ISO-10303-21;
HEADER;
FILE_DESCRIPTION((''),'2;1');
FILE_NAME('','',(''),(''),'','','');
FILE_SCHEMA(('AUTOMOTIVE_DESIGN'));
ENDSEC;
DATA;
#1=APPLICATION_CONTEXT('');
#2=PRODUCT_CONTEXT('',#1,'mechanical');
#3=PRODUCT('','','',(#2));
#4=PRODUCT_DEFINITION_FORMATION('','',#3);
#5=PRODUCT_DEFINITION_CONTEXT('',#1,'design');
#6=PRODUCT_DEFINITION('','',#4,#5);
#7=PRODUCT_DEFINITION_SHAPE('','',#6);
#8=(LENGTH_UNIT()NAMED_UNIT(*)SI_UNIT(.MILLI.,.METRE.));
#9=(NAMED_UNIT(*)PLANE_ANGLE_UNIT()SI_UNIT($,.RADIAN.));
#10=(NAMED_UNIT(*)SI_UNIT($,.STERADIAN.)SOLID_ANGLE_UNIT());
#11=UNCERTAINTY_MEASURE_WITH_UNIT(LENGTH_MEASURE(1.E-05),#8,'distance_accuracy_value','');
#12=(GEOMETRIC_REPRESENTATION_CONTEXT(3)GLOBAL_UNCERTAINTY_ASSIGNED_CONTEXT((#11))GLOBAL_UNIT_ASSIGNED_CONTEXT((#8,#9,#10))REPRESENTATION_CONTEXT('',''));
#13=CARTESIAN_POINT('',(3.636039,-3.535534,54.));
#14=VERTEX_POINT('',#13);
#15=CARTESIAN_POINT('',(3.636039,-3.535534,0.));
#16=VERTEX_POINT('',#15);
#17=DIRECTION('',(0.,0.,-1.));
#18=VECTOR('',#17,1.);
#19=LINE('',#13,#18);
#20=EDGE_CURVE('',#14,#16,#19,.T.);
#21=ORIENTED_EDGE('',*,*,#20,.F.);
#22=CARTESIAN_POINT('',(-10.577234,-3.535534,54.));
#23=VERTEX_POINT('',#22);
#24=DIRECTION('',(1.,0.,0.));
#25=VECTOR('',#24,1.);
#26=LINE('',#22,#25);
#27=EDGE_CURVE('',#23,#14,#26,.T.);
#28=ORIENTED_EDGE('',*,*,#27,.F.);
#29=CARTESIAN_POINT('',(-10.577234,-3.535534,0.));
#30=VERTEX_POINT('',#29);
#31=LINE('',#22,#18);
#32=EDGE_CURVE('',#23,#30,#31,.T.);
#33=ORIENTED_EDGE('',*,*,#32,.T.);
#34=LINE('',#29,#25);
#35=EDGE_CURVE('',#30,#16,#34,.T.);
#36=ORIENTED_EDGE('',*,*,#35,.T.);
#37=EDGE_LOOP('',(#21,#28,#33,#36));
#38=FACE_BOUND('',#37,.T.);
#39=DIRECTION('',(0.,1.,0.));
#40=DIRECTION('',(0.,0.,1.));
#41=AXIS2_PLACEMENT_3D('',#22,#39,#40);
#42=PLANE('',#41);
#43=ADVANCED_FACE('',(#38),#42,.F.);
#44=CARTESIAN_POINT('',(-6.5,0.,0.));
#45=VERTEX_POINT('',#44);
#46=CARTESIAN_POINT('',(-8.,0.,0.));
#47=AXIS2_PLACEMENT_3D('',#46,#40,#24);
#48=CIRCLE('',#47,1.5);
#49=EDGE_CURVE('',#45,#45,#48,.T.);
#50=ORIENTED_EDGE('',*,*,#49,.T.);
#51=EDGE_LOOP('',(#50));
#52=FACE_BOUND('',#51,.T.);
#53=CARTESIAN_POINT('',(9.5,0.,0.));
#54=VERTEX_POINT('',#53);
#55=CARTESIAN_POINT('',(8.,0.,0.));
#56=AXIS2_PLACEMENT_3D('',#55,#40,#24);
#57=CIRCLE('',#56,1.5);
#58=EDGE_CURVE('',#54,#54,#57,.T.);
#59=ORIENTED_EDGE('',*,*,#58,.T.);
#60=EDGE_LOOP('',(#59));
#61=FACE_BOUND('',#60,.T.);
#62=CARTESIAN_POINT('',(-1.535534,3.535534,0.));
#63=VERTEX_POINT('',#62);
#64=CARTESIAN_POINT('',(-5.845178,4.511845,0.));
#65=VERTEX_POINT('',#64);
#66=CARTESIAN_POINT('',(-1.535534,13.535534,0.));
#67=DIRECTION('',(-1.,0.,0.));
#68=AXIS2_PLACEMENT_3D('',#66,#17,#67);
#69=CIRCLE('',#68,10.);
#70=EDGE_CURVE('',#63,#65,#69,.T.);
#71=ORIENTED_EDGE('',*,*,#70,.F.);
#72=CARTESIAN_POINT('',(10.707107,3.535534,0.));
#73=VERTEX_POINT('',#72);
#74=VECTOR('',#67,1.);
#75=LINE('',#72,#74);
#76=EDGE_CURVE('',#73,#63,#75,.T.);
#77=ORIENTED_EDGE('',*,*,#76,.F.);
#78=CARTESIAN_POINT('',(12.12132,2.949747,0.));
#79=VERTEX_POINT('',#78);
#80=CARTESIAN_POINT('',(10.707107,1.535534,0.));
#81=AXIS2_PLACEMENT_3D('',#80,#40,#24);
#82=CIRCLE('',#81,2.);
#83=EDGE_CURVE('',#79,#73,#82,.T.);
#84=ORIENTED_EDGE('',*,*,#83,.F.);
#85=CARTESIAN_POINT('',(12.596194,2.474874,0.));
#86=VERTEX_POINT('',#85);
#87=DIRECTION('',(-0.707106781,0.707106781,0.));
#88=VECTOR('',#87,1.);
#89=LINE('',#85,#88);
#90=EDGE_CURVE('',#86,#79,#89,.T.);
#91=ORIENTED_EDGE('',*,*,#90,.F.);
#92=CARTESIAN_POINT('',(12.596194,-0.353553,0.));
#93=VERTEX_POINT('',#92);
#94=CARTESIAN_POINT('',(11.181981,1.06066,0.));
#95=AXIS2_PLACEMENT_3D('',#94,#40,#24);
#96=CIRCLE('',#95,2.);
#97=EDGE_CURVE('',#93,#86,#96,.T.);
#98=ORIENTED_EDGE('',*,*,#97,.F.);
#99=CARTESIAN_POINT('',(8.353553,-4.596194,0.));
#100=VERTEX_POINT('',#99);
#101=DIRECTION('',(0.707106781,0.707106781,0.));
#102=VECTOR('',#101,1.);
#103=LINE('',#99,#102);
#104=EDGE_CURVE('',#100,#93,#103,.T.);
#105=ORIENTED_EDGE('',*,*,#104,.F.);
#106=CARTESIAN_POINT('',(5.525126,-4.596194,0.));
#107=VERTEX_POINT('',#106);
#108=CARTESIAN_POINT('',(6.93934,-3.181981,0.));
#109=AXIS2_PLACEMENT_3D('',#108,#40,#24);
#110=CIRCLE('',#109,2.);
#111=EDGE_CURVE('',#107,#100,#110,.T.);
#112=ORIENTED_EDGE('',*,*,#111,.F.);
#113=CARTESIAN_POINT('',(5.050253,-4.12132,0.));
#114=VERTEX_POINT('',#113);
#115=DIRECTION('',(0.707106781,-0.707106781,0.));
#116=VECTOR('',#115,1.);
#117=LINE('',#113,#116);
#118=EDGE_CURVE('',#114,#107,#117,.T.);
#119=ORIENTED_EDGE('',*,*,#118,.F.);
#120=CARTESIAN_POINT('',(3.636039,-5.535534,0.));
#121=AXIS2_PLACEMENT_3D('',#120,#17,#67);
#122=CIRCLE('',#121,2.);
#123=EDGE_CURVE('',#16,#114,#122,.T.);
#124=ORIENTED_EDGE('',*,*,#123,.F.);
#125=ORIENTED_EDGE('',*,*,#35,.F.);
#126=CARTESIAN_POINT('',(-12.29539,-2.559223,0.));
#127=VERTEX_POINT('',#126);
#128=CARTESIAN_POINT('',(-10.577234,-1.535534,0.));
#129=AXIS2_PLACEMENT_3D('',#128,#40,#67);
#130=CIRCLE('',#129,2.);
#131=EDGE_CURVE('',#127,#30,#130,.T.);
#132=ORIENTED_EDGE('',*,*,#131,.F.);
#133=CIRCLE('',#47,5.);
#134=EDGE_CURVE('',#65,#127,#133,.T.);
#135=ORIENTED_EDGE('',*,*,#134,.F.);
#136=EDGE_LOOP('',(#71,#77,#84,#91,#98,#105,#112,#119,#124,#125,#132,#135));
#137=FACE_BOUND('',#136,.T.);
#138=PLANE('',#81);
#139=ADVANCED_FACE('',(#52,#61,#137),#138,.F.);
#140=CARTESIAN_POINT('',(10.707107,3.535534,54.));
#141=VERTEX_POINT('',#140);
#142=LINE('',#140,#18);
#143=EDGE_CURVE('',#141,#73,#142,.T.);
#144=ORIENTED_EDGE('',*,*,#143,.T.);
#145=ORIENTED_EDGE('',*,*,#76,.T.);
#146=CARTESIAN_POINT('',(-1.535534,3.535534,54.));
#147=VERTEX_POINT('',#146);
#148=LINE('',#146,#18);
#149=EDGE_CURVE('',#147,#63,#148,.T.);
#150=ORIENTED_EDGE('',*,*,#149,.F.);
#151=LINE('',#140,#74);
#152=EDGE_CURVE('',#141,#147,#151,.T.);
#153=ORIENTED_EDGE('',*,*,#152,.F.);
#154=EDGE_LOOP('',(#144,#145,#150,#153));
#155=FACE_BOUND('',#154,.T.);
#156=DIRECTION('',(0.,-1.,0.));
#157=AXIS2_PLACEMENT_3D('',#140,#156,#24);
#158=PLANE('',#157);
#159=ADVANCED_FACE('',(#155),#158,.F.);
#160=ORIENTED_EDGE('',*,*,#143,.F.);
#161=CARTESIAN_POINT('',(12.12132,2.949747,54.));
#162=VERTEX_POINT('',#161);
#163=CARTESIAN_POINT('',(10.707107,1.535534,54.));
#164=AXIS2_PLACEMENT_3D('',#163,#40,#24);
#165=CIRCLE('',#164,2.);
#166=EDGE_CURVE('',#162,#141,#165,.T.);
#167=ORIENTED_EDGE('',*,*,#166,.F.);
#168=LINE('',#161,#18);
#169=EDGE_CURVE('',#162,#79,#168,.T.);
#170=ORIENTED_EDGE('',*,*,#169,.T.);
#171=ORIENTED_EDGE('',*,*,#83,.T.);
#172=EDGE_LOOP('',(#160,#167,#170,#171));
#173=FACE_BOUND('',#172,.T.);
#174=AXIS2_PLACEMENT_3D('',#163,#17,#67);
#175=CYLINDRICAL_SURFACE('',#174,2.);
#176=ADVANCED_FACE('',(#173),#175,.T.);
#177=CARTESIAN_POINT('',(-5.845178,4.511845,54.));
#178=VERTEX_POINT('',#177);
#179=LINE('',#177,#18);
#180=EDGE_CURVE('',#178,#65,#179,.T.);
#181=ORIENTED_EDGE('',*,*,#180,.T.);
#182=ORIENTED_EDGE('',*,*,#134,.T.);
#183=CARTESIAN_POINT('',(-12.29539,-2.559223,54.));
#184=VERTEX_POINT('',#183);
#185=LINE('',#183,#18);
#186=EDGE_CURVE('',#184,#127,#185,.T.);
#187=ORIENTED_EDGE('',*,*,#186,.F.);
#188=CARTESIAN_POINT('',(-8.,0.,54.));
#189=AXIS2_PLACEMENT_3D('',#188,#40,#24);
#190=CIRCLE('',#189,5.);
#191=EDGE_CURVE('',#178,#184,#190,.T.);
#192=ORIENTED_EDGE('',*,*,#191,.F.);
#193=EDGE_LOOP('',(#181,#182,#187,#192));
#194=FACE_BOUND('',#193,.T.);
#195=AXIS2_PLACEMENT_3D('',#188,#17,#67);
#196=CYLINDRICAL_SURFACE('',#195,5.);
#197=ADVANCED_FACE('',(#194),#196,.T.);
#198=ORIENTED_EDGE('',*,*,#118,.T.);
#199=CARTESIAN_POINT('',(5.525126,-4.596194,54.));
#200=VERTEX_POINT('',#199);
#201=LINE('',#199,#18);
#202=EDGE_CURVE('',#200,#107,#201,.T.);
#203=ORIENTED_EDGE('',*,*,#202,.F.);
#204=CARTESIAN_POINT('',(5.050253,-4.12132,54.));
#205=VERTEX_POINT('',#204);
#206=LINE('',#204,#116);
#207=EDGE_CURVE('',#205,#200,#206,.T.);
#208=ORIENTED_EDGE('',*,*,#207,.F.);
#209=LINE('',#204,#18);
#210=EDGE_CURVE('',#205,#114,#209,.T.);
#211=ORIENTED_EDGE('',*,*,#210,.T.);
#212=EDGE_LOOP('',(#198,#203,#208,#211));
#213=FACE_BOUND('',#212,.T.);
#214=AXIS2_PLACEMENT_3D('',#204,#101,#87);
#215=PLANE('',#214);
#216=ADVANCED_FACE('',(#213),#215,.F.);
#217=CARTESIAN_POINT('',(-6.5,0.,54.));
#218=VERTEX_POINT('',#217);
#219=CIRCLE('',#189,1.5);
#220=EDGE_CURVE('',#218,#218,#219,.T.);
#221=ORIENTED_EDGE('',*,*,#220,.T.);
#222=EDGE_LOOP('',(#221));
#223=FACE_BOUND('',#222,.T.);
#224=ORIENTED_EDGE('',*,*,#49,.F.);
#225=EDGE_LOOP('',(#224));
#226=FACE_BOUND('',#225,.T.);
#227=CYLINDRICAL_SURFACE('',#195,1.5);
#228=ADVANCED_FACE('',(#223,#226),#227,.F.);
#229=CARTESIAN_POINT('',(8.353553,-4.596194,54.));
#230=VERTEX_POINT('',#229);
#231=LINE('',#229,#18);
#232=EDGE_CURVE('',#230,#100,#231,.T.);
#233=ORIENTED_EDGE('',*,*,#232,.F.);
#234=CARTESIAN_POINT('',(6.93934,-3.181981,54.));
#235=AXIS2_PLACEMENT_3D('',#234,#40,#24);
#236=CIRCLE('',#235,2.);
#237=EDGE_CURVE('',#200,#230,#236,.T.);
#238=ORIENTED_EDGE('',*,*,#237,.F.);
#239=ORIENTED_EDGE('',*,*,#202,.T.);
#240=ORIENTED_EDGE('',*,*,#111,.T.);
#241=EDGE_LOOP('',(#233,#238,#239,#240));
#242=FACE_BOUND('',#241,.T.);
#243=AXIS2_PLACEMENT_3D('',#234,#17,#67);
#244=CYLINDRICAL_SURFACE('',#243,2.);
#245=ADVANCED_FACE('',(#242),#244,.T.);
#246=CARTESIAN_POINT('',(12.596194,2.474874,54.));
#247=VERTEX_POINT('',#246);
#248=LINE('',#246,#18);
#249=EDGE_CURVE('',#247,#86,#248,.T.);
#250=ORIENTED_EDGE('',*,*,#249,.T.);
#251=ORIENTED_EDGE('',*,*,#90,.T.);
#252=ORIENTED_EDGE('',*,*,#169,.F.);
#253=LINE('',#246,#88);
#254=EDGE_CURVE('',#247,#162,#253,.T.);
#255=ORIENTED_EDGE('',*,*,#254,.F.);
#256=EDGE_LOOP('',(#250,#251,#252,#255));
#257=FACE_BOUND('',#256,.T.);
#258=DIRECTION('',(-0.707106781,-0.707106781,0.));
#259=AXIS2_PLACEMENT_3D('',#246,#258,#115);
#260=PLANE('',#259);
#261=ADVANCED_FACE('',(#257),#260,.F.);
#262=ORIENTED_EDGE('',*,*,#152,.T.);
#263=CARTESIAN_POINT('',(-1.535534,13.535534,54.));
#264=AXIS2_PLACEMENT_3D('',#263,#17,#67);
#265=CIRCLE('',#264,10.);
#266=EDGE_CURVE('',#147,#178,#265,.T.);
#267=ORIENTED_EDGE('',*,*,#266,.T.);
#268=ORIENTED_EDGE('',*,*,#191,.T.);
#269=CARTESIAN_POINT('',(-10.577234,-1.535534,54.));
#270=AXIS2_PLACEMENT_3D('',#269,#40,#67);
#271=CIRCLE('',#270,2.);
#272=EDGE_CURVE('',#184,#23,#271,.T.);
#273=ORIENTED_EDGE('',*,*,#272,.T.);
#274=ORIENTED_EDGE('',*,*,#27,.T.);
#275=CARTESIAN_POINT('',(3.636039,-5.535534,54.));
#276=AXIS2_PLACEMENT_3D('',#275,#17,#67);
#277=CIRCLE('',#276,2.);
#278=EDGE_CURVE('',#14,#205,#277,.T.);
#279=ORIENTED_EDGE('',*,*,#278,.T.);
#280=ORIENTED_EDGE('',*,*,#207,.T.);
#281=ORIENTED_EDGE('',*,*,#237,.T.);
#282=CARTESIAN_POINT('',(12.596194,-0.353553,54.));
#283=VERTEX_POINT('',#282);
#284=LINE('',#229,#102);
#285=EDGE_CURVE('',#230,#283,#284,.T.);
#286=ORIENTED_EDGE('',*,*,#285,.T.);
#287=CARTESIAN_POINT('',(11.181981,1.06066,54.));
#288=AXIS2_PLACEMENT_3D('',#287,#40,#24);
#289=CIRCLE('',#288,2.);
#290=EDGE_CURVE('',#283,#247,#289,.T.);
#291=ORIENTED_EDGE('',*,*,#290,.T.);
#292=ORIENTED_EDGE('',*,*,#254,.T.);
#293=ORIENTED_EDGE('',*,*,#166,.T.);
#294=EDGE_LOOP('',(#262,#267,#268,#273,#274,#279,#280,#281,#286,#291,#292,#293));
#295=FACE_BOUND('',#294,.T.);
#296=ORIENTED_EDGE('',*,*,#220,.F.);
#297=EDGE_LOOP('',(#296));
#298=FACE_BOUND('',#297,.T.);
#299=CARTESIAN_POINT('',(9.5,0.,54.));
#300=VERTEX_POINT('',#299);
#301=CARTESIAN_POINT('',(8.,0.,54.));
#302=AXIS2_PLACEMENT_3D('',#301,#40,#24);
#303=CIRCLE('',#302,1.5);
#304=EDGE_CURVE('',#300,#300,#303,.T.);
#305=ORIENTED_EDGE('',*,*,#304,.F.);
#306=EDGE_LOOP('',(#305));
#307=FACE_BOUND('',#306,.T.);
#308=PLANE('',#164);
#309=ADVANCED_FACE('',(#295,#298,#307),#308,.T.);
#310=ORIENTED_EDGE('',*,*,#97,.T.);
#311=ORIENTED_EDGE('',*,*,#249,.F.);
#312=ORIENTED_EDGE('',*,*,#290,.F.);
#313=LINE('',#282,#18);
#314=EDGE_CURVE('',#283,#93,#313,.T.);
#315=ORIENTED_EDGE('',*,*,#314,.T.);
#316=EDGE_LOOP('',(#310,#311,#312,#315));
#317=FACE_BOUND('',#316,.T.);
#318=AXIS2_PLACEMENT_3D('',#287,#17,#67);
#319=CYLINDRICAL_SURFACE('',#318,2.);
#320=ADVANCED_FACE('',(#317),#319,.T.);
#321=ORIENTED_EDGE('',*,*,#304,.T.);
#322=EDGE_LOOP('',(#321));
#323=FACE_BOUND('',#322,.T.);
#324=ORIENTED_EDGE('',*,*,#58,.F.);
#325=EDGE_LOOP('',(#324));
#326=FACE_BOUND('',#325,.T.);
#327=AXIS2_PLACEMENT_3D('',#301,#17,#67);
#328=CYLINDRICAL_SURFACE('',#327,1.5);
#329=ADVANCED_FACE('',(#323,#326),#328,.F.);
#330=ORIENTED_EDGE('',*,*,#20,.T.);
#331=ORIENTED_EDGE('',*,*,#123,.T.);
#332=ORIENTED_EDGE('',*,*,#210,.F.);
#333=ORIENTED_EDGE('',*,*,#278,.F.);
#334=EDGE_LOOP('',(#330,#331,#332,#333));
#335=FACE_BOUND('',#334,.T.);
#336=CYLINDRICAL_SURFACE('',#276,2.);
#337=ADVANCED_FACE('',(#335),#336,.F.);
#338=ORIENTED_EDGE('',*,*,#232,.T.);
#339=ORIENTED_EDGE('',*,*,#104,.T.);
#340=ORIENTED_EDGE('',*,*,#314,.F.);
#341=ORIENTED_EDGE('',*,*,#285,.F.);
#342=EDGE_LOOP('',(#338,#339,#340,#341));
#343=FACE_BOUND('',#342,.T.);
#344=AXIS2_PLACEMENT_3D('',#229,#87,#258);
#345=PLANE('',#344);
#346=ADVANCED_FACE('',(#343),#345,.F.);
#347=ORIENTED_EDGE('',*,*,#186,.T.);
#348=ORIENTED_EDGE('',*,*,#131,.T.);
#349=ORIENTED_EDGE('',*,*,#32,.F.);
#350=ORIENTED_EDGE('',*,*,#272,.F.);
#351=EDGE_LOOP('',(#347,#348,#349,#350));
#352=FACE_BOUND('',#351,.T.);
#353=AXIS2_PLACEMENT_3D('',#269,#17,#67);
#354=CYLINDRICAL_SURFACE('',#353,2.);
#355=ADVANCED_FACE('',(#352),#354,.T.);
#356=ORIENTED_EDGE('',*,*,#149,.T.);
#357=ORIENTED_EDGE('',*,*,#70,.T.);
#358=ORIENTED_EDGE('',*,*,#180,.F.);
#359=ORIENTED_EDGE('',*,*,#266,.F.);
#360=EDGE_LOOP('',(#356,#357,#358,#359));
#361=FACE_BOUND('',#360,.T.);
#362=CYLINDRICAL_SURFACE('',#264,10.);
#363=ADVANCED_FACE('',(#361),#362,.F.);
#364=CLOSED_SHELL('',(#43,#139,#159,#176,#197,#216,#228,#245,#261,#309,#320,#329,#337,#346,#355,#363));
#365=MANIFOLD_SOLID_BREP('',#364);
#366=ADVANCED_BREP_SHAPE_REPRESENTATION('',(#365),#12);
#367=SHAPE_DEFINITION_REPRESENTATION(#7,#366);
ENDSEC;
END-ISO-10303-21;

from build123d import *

# Parameters (mm, degrees)
SKETCH_1_R      = 1.5
EXTRUDE_1_DEPTH = 54


with BuildPart() as part:
    # 草图1 → 凸台-拉伸1 (new body)
    with BuildSketch(Plane.XY):
        with BuildLine():
            Line((-10.577234103, -3.535533906), (3.636038969, -3.535533906))
            ThreePointArc((3.636038969, -3.535533906), (4.401405834, -3.687774841), (5.050252532, -4.121320344))
            Line((5.050252532, -4.121320344), (5.525126266, -4.596194078))
            ThreePointArc((5.525126266, -4.596194078), (6.939339828, -5.181980515), (8.353553391, -4.596194078))
            Line((8.353553391, -4.596194078), (12.596194078, -0.353553391))
            ThreePointArc((12.596194078, -0.353553391), (13.181980515, 1.060660172), (12.596194078, 2.474873734))
            Line((12.596194078, 2.474873734), (12.121320344, 2.949747468))
            ThreePointArc((12.121320344, 2.949747468), (11.472473646, 3.383292971), (10.707106781, 3.535533906))
            Line((10.707106781, 3.535533906), (-1.535533906, 3.535533906))
            ThreePointArc((-1.535533906, 3.535533906), (-3.744957733, 3.782665284), (-5.845177969, 4.511844635))
            ThreePointArc((-5.845177969, 4.511844635), (-11.693982673, 3.369642712), (-12.295390172, -2.559223177))
            ThreePointArc((-12.295390172, -2.559223177), (-11.565318477, -3.27440977), (-10.577234103, -3.535533906))
        make_face()
        with Locations((-8, 0)):
            Circle(SKETCH_1_R, mode=Mode.SUBTRACT)
        with Locations((8, 0)):
            Circle(SKETCH_1_R, mode=Mode.SUBTRACT)
    extrude(amount=EXTRUDE_1_DEPTH)


solid = part.part
